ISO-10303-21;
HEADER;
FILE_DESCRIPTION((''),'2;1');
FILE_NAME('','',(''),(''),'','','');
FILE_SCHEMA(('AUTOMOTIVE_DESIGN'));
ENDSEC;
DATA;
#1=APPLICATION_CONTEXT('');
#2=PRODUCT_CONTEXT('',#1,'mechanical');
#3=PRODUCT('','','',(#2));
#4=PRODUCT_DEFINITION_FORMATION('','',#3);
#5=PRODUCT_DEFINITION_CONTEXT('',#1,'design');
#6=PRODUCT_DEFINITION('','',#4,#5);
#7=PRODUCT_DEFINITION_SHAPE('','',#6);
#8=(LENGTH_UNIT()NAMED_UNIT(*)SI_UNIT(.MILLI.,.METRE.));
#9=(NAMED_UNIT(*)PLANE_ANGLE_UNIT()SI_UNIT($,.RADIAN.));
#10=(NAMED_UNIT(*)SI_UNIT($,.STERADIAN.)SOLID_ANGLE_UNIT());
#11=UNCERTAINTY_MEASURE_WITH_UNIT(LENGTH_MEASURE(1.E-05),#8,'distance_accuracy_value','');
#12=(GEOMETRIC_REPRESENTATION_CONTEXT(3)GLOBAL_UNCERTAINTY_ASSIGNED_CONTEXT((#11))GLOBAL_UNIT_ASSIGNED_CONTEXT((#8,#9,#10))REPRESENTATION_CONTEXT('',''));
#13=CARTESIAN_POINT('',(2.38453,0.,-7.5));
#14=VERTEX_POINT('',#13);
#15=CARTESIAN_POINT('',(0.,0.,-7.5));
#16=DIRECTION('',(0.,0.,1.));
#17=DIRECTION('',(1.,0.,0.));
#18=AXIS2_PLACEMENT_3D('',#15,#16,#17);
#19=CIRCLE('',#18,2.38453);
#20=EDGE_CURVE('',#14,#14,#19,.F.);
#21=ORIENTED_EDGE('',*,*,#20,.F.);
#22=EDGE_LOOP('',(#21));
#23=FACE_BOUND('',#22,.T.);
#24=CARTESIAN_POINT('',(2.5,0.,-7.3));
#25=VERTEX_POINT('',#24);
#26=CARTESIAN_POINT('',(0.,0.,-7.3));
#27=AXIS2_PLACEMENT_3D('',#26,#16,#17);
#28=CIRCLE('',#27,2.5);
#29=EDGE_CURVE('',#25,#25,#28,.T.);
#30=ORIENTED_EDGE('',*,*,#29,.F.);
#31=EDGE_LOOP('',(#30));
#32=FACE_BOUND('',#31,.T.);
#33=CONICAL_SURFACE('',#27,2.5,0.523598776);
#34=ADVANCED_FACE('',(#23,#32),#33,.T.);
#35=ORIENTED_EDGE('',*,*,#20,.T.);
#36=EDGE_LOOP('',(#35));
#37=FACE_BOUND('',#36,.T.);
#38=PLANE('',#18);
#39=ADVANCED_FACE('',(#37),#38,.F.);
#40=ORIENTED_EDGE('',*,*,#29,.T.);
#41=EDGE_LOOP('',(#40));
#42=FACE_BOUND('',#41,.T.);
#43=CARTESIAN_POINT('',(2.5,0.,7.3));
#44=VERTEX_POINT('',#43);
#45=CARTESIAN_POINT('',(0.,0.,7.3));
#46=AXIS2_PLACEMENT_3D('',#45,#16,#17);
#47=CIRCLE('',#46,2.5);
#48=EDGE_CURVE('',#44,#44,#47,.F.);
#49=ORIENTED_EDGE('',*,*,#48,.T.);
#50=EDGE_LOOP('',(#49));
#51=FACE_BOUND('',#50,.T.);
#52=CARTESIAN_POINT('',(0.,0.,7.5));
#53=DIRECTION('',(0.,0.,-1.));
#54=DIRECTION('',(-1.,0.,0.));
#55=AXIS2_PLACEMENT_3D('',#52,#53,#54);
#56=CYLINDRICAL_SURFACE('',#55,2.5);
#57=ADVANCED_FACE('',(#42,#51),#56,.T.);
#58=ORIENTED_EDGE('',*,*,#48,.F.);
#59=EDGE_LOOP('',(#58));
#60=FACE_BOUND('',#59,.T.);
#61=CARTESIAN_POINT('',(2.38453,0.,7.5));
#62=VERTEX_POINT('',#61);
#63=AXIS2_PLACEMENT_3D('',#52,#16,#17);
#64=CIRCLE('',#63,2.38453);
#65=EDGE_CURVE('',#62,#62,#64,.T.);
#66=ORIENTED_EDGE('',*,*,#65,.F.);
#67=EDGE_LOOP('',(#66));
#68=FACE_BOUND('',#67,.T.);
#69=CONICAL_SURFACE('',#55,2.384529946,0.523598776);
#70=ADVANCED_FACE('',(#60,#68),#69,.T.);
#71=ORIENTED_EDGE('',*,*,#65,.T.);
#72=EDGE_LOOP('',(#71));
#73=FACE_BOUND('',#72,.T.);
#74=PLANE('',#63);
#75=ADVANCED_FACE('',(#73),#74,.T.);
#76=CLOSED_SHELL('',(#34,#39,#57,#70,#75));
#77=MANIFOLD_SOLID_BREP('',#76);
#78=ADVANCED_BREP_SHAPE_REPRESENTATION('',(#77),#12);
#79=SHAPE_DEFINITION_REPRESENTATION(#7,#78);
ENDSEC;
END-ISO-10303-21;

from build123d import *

# Parameters (mm, degrees)
ESQUISSE1_R        = 2.5
BOSS_EXTRU_1_DEPTH = 7.5
CHANFREIN1_SIZE    = 0.2
CHANFREIN1_SIZE2   = 0.115470054


with BuildPart() as part:
    # Esquisse1 → Boss.-Extru.1 (new body, symmetric)
    with BuildSketch(Plane.XY):
        Circle(ESQUISSE1_R)
    extrude(amount=BOSS_EXTRU_1_DEPTH, both=True)

    # Chanfrein1
    chanfrein1_edges = [part.edges().sort_by_distance(p)[0] for p in [
        (-2.5, 0, -7.5),
        (-2.5, 0, 7.5),
    ]]
    chanfrein1_side = [part.faces().sort_by_distance(p)[0] for p in [
        (-2.5, 0, 0),
    ]]
    chamfer(chanfrein1_edges, length=CHANFREIN1_SIZE, length2=CHANFREIN1_SIZE2, reference=chanfrein1_side[0])


solid = part.part
